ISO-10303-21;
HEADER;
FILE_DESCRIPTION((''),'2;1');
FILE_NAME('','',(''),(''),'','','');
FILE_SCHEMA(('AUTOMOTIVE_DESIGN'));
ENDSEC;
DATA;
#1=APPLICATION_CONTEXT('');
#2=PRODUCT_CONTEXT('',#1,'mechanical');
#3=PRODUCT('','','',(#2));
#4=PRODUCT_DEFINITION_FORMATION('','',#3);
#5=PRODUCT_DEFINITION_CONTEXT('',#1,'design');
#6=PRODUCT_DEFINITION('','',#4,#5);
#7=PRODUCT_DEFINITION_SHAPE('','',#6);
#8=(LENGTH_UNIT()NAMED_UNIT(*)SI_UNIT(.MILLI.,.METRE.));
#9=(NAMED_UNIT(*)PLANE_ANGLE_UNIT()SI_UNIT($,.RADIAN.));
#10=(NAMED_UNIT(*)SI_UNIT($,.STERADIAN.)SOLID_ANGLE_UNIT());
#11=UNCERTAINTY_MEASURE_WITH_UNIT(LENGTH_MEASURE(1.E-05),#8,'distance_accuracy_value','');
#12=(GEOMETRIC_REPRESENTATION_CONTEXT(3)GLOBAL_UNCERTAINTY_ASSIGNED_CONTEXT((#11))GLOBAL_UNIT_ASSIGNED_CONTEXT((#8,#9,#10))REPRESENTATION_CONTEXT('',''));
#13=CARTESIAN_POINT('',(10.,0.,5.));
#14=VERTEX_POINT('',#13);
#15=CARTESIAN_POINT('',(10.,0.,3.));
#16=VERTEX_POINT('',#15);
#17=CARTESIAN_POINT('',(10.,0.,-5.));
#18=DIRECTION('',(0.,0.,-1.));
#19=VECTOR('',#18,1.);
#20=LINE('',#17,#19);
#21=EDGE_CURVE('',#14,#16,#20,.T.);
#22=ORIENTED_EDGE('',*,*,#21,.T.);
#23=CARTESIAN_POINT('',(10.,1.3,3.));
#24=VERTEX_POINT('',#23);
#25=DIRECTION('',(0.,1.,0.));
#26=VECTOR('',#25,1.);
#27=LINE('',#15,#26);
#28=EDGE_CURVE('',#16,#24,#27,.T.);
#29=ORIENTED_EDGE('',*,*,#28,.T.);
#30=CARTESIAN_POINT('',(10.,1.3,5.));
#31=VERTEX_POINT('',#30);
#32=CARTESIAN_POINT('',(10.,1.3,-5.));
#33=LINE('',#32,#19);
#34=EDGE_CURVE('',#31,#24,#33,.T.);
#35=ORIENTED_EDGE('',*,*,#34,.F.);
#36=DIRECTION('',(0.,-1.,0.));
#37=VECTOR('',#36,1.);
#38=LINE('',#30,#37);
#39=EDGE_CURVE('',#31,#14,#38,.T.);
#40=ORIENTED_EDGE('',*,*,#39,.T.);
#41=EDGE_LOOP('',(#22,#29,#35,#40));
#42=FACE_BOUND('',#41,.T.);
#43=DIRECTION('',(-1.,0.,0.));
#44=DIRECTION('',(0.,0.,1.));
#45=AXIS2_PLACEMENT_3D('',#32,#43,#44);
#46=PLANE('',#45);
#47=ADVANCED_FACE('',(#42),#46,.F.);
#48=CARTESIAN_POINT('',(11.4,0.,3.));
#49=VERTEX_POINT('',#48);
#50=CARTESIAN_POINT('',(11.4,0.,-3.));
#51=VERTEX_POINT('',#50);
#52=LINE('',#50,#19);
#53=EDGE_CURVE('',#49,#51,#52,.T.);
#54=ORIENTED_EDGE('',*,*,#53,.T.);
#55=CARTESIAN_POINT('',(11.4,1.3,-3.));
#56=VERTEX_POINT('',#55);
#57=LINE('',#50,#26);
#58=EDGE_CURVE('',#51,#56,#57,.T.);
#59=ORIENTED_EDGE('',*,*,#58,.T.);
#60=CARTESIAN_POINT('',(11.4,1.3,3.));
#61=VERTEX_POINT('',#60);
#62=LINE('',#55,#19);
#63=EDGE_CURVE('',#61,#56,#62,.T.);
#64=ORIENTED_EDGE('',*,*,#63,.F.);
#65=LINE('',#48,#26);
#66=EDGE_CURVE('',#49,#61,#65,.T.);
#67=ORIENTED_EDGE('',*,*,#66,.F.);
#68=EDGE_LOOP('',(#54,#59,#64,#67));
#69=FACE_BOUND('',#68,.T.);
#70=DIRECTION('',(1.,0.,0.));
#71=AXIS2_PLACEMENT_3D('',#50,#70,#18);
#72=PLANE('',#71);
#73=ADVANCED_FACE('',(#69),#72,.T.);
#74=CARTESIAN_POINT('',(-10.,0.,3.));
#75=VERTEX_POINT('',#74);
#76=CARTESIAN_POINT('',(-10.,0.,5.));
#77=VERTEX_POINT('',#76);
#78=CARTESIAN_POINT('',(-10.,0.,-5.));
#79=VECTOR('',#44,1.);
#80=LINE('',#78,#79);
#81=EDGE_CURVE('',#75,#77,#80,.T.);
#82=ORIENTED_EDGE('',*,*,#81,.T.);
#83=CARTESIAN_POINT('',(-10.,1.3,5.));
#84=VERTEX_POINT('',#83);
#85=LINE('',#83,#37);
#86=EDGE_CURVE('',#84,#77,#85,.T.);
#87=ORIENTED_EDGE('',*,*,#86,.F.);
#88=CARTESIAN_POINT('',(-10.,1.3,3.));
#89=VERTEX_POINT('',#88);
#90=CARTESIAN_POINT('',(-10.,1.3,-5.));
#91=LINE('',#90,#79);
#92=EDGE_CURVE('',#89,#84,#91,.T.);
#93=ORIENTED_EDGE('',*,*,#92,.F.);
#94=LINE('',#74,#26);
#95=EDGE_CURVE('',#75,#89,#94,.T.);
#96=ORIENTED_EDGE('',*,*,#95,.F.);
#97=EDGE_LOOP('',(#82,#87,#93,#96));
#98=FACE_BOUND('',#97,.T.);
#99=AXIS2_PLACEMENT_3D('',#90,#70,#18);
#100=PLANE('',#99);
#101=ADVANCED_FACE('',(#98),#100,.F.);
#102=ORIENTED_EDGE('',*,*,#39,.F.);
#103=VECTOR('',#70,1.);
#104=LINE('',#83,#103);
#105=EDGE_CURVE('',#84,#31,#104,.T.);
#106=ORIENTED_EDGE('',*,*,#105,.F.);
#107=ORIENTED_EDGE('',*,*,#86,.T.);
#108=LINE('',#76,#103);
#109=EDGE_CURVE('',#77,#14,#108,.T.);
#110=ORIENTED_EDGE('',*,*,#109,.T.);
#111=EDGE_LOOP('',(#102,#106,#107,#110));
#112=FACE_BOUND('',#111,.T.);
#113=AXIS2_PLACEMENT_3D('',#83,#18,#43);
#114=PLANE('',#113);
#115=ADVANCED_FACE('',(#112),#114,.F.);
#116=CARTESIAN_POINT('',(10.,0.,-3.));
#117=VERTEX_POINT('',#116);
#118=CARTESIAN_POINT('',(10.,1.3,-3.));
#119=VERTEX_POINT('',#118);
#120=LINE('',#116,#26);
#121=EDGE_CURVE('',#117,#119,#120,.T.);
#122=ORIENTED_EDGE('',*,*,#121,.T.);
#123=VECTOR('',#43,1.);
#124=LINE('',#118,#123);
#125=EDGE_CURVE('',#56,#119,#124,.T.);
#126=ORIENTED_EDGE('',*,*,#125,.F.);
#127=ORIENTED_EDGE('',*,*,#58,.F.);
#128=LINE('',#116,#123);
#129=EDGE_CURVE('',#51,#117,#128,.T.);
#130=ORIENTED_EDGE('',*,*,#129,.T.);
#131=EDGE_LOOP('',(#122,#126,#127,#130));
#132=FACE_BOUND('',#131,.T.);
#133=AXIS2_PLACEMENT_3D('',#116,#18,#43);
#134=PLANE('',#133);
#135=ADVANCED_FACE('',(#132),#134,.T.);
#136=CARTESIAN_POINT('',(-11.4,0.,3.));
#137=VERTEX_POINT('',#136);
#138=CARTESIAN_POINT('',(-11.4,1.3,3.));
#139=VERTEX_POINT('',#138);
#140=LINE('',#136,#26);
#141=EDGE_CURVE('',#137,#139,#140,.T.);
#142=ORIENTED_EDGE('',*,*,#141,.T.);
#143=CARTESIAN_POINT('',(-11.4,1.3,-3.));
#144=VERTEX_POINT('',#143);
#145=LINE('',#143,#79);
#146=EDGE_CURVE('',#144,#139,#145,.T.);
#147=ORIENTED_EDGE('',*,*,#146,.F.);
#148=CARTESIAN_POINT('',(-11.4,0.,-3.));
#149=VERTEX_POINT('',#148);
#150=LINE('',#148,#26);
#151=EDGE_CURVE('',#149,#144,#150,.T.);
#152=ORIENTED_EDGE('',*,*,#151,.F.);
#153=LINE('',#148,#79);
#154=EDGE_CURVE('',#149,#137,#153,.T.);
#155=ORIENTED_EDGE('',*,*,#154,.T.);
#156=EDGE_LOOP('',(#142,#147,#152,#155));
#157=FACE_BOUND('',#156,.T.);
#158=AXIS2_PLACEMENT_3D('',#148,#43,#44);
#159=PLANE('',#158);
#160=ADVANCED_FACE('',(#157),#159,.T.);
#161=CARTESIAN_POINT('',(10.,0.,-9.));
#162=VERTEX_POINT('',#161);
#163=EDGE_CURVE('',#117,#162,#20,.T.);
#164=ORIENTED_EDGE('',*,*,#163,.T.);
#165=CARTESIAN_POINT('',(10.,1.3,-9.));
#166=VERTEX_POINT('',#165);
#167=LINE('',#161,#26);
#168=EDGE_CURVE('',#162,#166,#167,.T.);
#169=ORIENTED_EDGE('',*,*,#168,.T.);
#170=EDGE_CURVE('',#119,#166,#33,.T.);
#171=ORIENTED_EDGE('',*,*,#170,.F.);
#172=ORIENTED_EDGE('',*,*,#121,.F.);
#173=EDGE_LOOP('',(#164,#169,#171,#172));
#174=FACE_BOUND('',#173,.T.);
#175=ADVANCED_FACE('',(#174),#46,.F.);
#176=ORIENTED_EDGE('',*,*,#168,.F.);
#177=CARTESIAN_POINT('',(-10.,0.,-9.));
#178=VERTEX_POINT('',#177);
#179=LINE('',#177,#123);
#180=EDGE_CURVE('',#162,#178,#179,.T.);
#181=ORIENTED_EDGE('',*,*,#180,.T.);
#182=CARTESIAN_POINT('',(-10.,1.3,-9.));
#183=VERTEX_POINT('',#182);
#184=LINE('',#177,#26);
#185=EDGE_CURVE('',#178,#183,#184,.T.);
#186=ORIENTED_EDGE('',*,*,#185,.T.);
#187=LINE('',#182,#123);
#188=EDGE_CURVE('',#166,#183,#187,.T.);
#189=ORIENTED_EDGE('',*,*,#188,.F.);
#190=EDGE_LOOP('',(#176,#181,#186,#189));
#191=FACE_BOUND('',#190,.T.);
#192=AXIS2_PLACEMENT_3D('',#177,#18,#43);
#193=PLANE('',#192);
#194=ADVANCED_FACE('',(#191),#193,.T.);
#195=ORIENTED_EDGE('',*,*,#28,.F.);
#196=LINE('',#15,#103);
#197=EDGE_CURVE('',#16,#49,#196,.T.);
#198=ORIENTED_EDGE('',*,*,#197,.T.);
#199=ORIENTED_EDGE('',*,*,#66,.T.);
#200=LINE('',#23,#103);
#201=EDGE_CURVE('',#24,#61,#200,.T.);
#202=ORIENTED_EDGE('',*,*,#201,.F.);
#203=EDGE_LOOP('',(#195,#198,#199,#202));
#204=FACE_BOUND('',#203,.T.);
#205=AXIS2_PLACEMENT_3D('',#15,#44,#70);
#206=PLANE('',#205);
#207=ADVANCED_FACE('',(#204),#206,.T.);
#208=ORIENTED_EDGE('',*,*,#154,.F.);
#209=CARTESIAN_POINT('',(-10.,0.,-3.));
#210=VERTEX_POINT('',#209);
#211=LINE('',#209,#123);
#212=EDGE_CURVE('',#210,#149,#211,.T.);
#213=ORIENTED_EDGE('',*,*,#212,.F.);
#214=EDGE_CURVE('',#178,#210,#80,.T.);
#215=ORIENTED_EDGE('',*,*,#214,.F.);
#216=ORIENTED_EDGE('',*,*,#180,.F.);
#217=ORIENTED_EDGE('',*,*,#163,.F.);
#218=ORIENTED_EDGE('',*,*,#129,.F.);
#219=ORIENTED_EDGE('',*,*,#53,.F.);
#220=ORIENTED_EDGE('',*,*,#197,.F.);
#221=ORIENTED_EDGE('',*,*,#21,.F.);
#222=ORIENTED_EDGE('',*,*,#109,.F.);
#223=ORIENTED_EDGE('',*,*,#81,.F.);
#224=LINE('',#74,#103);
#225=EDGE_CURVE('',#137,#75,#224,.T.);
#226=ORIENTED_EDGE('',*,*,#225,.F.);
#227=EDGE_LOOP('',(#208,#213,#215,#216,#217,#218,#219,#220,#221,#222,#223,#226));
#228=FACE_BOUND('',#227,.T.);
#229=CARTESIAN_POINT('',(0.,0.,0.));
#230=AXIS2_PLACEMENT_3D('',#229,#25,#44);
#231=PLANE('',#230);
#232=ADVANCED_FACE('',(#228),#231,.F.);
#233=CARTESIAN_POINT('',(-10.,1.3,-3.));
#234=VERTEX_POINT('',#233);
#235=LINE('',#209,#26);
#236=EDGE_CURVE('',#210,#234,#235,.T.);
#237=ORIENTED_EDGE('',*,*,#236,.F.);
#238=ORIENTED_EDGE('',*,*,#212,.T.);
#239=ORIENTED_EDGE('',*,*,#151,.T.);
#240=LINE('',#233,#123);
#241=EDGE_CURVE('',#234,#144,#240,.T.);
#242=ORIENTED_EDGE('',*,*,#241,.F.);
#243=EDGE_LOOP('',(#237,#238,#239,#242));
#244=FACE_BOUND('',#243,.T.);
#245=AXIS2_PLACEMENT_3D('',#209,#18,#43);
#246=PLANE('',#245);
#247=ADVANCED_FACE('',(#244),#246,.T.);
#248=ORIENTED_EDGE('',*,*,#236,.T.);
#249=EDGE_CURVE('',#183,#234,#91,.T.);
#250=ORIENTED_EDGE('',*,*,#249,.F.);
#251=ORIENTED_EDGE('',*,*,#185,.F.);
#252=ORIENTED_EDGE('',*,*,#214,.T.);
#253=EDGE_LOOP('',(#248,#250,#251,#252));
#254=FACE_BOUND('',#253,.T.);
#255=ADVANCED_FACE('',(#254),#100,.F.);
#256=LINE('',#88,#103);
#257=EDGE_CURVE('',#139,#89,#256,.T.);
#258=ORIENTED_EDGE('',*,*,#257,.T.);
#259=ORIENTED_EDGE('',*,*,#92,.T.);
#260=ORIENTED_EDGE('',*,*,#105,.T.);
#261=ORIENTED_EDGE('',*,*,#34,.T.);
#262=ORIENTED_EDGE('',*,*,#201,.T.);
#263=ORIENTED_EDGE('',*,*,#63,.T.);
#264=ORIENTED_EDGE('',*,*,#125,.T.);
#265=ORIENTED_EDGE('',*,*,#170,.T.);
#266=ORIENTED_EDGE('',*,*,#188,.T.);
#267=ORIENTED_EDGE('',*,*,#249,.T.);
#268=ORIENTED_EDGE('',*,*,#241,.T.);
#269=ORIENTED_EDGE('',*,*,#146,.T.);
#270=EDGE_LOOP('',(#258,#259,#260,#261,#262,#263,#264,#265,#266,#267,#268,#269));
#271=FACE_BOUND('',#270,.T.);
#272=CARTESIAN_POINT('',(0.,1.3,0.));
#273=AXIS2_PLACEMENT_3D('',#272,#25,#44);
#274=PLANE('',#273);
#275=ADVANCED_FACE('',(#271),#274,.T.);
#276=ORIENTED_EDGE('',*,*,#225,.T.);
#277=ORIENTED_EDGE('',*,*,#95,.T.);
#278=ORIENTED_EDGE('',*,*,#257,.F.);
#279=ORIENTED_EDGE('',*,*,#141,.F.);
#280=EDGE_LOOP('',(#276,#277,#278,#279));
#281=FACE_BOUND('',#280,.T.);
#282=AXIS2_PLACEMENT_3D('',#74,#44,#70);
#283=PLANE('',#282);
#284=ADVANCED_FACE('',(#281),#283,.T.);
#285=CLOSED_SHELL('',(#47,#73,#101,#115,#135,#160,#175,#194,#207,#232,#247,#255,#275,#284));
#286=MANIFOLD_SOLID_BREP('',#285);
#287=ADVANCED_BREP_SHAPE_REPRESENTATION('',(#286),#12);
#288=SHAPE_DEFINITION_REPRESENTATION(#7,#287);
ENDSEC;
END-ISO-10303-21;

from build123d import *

# Parameters (mm, degrees)
SKETCH1_W           = 20
SKETCH1_H           = 10
BOSS_EXTRUDE1_DEPTH = 1.3
SKETCH2_W           = 1.4
SKETCH2_H           = 6
BOSS_EXTRUDE2_DEPTH = 1.3
SKETCH3_W           = 20
SKETCH3_H           = 4
BOSS_EXTRUDE3_DEPTH = 1.3


with BuildPart() as part:
    # Sketch1 → Boss-Extrude1 (new body)
    with BuildSketch(Plane(origin=(0, 0, 0), x_dir=(1, 0, 0), z_dir=(0, 1, 0))):
        Rectangle(SKETCH1_W, SKETCH1_H)
    extrude(amount=BOSS_EXTRUDE1_DEPTH)

    # Sketch2 → Boss-Extrude2 (add)
    with BuildSketch(Plane(origin=(0, 1.3, 0), x_dir=(1, 0, 0), z_dir=(0, 1, 0))):
        with Locations((-10.7, 0)):
            Rectangle(SKETCH2_W, SKETCH2_H)
        with Locations((10.7, 0)):
            Rectangle(SKETCH2_W, SKETCH2_H)
    extrude(amount=-BOSS_EXTRUDE2_DEPTH)

    # Sketch3 → Boss-Extrude3 (add)
    with BuildSketch(Plane(origin=(0, 1.3, 0), x_dir=(1, 0, 0), z_dir=(0, 1, 0))):
        with Locations((0, 7)):
            Rectangle(SKETCH3_W, SKETCH3_H)
    extrude(amount=-BOSS_EXTRUDE3_DEPTH)


solid = part.part
